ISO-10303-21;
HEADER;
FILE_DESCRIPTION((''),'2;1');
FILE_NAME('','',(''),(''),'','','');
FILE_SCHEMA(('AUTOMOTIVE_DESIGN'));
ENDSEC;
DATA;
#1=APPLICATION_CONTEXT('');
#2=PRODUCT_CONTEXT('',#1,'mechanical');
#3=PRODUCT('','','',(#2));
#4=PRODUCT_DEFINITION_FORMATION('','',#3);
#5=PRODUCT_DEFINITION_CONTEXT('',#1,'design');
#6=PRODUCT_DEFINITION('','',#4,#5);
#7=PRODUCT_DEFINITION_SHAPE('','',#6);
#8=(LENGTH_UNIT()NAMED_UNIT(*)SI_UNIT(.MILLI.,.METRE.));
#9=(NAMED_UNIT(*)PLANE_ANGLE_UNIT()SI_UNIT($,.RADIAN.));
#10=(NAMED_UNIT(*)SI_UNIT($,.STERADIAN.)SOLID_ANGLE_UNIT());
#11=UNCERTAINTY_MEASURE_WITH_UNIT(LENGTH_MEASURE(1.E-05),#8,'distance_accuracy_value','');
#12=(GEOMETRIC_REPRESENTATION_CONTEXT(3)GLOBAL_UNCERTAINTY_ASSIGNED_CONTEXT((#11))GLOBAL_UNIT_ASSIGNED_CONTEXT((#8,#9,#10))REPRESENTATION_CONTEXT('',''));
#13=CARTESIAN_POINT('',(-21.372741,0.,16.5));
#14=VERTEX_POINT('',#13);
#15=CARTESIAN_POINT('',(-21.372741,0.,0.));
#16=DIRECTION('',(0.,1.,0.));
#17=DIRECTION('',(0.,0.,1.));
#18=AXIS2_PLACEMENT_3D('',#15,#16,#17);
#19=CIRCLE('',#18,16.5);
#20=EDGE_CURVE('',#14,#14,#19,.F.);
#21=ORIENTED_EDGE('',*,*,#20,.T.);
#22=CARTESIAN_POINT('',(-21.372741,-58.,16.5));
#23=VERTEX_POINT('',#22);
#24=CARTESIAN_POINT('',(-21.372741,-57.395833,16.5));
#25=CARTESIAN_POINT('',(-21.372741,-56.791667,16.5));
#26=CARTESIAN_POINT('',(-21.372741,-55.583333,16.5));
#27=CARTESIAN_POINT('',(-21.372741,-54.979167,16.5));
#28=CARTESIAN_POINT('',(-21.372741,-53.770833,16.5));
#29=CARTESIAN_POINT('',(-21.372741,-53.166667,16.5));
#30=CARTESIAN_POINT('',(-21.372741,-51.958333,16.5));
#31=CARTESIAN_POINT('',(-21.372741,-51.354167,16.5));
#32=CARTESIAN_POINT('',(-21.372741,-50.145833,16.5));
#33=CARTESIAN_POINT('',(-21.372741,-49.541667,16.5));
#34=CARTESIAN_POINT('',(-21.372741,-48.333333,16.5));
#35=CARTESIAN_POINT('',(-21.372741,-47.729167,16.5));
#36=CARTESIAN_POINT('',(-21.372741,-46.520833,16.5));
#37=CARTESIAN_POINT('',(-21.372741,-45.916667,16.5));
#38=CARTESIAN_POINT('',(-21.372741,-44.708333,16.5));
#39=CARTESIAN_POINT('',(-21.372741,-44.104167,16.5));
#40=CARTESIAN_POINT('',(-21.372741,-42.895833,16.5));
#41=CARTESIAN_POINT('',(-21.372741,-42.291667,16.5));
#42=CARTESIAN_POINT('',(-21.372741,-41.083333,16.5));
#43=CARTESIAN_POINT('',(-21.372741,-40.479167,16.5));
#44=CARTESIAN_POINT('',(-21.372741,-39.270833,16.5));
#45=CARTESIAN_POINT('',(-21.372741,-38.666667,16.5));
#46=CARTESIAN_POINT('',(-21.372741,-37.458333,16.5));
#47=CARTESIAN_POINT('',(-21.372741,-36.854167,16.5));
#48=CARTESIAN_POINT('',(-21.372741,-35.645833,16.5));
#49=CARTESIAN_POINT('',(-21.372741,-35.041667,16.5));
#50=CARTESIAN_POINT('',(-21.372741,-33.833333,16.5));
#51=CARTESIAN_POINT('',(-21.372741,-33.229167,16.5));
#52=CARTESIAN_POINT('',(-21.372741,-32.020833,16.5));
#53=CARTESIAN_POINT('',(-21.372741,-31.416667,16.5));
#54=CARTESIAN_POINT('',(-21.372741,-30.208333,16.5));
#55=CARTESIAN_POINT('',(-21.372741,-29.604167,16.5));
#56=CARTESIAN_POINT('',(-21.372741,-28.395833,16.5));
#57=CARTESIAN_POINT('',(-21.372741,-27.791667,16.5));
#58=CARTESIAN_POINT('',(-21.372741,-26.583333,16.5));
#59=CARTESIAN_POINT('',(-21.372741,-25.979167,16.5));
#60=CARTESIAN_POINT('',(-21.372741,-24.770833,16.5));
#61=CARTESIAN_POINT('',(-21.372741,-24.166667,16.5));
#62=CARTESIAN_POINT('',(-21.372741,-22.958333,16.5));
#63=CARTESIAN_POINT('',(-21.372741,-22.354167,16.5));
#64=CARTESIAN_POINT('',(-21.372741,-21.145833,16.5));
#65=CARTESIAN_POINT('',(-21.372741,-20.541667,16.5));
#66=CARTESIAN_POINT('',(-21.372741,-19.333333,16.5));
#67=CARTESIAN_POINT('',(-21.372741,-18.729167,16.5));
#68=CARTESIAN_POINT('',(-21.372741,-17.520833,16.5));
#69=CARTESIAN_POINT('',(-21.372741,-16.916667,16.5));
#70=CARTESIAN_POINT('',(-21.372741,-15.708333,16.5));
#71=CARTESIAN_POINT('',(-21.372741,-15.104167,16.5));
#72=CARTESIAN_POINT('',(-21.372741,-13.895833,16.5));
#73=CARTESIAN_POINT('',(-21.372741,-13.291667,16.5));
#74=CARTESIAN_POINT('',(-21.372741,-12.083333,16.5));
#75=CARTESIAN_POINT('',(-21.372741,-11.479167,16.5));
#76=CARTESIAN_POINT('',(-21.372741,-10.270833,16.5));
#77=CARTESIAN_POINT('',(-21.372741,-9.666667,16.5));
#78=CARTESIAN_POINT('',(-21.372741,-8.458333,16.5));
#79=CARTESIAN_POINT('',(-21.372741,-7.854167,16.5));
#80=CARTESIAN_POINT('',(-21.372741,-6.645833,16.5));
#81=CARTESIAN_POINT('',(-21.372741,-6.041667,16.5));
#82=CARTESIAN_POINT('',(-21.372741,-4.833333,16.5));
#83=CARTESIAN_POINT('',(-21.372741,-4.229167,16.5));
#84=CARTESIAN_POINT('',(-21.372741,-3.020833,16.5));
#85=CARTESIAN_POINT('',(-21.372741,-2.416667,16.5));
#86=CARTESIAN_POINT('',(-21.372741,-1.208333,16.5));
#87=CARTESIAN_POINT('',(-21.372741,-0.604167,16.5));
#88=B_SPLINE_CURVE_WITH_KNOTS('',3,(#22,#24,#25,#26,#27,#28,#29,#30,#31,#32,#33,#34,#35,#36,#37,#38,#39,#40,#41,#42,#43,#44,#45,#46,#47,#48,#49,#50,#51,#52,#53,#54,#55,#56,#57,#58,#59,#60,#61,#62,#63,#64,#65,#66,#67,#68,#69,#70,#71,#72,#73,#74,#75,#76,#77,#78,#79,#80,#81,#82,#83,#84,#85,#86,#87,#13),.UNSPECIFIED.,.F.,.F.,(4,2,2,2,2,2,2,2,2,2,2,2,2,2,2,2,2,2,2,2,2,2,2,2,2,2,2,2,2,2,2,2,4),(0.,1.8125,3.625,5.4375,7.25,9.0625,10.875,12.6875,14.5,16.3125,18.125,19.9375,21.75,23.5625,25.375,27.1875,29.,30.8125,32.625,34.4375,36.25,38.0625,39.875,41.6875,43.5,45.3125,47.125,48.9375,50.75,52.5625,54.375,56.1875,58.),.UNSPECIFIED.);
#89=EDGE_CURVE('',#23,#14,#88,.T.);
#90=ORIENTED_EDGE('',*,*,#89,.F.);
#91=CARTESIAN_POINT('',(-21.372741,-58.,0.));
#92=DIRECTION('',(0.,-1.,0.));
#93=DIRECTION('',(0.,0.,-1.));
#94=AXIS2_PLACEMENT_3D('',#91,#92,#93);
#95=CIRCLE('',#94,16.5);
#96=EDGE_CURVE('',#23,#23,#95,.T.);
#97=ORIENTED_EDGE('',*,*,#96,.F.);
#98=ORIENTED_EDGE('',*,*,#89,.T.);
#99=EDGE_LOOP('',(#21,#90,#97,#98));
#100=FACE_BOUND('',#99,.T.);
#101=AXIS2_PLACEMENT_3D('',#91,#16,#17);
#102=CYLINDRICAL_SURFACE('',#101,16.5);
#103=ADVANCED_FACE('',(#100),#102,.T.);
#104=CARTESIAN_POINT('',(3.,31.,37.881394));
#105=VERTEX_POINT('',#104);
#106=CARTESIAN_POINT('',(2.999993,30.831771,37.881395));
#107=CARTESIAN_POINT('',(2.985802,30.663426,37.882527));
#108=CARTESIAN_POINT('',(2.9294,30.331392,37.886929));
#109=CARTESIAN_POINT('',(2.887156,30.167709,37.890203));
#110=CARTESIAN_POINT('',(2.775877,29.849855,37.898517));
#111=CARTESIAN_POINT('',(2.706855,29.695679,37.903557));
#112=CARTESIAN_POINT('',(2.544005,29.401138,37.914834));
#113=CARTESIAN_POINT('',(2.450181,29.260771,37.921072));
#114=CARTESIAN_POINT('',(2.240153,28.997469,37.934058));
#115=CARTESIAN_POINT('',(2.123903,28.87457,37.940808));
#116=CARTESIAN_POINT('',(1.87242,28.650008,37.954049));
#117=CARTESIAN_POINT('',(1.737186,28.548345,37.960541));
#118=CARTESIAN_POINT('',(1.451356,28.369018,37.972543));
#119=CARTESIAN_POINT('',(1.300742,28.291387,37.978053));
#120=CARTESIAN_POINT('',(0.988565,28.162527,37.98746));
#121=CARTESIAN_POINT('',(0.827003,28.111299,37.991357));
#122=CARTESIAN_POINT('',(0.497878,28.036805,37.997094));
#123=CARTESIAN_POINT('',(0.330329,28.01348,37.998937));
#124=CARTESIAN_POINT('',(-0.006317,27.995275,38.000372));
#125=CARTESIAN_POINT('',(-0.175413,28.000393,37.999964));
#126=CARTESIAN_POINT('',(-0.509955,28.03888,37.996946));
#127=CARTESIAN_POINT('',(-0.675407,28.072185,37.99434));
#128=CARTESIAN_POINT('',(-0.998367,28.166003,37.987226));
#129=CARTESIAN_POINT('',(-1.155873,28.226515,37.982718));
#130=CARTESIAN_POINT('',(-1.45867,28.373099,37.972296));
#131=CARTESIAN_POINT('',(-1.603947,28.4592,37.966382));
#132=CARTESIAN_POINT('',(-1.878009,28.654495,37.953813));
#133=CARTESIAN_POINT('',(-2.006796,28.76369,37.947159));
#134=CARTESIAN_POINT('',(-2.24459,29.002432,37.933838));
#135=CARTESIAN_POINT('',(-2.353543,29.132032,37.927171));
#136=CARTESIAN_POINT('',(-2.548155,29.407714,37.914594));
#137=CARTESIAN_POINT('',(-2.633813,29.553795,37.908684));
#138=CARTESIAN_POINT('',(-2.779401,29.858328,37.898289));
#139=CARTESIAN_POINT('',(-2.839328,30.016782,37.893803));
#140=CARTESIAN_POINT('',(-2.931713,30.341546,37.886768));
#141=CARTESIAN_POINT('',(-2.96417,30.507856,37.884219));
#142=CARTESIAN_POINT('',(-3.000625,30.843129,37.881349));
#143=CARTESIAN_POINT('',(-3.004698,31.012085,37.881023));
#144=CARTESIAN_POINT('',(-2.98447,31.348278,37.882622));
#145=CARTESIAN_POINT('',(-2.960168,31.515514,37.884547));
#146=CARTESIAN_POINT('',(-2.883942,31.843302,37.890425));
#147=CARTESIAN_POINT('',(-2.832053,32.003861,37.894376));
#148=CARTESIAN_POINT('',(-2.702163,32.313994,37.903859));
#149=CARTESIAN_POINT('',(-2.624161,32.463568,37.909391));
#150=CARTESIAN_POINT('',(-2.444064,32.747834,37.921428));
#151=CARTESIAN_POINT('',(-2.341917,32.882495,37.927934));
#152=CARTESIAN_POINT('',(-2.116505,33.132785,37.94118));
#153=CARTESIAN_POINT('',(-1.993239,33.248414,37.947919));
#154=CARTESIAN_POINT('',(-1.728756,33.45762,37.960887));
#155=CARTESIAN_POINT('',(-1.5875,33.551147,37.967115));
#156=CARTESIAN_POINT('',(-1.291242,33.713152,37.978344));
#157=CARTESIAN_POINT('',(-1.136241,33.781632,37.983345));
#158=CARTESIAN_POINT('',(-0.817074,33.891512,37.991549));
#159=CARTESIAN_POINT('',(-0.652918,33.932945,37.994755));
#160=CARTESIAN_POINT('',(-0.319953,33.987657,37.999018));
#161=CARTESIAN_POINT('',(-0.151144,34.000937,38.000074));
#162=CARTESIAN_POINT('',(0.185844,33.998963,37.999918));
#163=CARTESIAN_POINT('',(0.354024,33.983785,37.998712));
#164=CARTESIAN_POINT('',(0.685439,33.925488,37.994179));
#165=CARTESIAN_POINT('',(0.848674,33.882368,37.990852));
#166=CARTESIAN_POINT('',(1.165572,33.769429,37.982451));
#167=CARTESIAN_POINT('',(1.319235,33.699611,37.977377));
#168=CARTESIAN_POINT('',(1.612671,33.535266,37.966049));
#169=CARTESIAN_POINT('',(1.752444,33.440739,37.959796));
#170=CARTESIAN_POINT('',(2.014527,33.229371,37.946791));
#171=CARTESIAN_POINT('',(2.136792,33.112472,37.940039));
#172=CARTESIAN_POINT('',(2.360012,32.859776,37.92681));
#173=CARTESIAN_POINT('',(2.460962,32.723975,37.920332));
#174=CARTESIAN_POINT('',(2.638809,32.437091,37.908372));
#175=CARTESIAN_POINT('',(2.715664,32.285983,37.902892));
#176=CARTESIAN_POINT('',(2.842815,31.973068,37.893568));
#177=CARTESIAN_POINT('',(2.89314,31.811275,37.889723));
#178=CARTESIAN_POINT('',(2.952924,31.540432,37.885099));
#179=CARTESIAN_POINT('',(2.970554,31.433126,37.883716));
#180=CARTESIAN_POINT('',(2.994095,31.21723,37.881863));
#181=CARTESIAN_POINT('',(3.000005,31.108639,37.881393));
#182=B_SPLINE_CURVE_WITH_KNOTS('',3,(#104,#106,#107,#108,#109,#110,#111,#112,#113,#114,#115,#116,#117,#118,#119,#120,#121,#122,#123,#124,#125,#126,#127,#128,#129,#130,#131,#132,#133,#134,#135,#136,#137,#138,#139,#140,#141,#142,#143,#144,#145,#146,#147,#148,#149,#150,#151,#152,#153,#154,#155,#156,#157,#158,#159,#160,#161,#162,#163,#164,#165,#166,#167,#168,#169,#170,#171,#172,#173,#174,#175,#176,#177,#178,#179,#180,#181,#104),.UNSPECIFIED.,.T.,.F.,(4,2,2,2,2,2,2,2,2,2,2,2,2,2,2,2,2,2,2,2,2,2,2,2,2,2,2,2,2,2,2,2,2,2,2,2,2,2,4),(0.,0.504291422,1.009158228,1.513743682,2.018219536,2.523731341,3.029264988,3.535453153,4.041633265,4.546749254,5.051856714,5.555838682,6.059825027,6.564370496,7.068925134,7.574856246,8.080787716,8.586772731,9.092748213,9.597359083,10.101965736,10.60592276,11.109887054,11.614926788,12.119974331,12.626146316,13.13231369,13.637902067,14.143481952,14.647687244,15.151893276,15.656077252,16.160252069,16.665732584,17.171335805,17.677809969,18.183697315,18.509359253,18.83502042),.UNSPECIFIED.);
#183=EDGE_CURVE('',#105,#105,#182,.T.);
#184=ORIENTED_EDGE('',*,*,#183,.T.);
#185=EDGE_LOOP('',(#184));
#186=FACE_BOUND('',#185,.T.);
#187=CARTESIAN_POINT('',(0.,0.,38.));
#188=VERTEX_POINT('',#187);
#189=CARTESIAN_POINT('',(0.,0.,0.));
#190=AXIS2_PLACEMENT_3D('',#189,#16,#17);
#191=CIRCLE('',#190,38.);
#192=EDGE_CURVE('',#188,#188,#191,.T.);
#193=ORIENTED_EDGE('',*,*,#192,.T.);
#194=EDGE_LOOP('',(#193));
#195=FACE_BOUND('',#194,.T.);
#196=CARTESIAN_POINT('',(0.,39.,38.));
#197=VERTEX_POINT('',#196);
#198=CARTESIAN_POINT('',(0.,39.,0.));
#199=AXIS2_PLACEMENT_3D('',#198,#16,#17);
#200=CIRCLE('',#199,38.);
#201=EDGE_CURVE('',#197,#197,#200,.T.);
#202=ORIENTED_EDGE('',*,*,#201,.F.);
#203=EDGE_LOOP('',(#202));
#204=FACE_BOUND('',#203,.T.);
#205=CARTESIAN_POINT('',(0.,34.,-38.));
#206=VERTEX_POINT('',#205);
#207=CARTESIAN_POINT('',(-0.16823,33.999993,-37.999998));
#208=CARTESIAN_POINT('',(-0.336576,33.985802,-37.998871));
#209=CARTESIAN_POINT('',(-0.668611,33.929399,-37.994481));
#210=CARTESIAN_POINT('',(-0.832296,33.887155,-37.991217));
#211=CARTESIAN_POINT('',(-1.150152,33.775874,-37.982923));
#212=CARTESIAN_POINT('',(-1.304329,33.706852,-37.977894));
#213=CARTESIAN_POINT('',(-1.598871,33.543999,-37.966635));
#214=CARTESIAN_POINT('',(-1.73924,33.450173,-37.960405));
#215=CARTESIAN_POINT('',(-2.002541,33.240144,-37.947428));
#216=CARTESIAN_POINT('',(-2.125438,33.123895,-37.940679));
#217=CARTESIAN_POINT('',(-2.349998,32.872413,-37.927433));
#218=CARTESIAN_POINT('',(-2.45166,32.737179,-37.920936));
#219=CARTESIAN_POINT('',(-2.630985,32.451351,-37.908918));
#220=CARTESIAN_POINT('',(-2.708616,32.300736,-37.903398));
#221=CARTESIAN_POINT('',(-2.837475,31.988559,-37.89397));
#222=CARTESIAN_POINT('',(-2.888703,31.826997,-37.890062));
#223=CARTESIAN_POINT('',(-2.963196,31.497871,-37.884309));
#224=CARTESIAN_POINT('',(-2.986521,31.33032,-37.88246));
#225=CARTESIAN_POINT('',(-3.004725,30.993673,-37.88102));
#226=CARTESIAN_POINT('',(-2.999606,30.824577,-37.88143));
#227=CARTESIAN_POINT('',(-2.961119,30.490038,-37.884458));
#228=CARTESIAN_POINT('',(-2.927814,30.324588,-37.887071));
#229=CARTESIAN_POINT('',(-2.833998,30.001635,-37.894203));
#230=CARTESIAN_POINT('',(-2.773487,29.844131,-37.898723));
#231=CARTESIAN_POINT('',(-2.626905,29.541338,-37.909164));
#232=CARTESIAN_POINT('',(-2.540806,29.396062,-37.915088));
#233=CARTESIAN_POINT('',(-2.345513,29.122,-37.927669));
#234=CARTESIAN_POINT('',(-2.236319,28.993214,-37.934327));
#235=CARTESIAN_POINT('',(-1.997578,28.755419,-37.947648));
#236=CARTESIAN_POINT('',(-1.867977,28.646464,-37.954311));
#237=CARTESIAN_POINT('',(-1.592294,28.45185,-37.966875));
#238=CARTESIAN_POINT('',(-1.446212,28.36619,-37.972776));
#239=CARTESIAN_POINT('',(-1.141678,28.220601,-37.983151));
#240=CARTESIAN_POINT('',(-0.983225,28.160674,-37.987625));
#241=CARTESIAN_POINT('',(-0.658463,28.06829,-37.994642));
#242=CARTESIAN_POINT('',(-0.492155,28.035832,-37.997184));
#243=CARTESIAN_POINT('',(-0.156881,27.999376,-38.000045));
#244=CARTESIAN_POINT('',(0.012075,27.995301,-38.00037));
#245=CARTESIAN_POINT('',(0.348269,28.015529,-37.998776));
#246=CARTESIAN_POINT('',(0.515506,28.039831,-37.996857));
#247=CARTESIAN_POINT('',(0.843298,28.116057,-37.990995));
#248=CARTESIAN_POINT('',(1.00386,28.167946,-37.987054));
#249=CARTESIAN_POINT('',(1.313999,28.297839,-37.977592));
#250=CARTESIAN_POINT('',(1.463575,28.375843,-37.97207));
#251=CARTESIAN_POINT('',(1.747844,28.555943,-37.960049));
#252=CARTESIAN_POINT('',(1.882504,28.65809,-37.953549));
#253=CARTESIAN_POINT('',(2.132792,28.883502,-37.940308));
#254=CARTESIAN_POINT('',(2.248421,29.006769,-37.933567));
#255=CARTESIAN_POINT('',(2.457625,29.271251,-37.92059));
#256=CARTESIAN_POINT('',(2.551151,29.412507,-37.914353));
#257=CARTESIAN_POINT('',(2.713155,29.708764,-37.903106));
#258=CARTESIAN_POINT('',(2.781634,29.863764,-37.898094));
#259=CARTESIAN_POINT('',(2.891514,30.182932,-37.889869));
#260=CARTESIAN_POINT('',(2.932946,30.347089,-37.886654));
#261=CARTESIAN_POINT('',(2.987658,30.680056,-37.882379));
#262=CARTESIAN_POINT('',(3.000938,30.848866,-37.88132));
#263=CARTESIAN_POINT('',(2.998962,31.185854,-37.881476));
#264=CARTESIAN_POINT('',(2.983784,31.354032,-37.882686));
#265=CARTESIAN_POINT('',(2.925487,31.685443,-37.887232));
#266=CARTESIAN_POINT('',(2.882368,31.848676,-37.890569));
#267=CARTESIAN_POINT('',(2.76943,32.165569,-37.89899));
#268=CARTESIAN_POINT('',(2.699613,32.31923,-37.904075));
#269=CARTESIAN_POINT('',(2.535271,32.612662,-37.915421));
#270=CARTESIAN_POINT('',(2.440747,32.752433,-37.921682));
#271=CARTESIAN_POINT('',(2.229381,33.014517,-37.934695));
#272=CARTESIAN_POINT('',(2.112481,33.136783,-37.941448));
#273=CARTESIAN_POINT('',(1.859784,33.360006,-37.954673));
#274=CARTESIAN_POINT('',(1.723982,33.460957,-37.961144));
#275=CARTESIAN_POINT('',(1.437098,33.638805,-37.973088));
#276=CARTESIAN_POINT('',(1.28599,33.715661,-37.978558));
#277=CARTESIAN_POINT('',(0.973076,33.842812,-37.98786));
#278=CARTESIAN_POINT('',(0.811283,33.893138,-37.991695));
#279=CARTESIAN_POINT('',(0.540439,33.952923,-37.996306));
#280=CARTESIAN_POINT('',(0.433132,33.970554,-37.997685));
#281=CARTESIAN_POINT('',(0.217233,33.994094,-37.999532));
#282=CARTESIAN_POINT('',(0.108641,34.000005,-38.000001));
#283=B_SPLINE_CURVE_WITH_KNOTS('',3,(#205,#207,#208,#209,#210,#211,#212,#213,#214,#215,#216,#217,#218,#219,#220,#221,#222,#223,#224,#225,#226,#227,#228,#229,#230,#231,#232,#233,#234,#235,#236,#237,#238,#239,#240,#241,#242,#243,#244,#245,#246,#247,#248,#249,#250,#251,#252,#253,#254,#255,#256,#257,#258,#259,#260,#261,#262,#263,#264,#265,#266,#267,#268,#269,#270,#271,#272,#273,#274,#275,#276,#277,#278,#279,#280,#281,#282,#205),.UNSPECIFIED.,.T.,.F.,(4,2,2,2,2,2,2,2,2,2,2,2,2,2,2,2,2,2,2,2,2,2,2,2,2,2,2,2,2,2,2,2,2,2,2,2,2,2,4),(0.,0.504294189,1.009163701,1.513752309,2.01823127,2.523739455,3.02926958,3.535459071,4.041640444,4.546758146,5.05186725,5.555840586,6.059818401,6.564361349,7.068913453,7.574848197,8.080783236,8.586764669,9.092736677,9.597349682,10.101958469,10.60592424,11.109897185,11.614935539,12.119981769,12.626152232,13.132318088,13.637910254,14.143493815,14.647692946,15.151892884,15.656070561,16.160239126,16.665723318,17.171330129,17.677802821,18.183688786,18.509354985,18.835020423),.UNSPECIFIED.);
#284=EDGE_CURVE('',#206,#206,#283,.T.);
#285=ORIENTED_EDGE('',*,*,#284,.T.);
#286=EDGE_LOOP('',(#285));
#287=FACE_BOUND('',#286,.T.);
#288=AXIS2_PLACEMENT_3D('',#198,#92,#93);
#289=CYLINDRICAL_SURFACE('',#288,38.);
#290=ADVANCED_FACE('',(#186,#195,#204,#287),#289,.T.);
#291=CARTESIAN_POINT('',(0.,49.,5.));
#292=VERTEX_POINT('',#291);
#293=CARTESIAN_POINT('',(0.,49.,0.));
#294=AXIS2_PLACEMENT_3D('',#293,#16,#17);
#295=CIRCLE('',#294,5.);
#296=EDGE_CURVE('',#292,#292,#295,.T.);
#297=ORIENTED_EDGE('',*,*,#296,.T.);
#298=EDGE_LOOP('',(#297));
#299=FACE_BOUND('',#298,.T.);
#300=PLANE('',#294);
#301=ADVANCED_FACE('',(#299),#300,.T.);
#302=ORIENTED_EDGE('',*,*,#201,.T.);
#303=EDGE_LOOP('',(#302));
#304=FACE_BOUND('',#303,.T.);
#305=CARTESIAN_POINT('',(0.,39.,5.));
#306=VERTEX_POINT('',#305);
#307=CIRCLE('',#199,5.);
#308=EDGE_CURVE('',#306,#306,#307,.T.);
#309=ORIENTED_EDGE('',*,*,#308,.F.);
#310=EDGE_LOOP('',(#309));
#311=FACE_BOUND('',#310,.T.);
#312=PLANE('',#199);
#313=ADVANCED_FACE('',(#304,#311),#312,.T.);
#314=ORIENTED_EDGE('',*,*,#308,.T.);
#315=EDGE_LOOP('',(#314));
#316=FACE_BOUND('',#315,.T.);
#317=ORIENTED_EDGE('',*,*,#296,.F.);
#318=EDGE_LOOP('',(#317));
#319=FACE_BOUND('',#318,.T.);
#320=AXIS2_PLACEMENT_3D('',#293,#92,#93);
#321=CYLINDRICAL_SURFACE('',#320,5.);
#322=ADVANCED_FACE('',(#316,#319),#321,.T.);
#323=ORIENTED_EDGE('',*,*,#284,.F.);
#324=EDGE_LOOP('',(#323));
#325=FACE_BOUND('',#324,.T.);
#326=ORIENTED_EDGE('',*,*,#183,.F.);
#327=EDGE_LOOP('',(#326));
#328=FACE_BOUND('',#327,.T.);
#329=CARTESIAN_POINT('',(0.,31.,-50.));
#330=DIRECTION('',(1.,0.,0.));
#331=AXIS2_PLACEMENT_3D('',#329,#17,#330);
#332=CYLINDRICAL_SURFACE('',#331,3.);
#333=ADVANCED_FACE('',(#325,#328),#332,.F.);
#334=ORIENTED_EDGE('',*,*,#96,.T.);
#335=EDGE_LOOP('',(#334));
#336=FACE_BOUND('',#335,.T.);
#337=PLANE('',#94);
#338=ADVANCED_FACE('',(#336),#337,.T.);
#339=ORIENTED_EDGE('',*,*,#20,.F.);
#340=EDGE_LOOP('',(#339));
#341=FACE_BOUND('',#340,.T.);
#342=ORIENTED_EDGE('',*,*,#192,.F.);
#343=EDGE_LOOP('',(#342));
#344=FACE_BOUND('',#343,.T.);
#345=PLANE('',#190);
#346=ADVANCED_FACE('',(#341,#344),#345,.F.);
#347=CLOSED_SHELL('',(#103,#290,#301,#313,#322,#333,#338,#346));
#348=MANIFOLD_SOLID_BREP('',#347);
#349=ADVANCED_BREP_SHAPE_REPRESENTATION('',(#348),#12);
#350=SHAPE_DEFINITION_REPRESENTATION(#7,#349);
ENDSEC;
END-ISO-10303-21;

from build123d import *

# Parameters (mm, degrees)
SKETCH_1_R         = 38
EXTRUDE_1_DEPTH    = 39
SKETCH_2_R         = 5
EXTRUDE_2_DEPTH    = 10
SKETCH_6_R         = 16.5
EXTRUDE_6_DEPTH    = 58
SKETCH1_R          = 3
CUT_EXTRUDE1_DEPTH = 50


with BuildPart() as part:
    # Эскиз1 → Вытянуть1 (new body)
    with BuildSketch(Plane(origin=(0, 0, 0), x_dir=(1, 0, 0), z_dir=(0, 1, 0))):
        with Locations(Location((0, 0, 0), (0, 0, 270))):
            Circle(SKETCH_1_R)
    extrude(amount=EXTRUDE_1_DEPTH)

    # Эскиз2 → Вытянуть2 (add)
    with BuildSketch(Plane(origin=(0, 39, 0), x_dir=(1, 0, 0), z_dir=(0, 1, 0))):
        with Locations(Location((0, 0, 0), (0, 0, 270))):
            Circle(SKETCH_2_R)
    extrude(amount=EXTRUDE_2_DEPTH)

    # Эскиз6 → Вытянуть6 (add)
    with BuildSketch(Plane.XZ):
        with Locations(Location((-21.372740523, 0, 0), (0, 0, 90))):
            Circle(SKETCH_6_R)
    extrude(amount=EXTRUDE_6_DEPTH)

    # Sketch1 → Cut-Extrude1 (cut, symmetric)
    with BuildSketch(Plane.XY):
        with Locations((0, 31)):
            Circle(SKETCH1_R)
    extrude(amount=CUT_EXTRUDE1_DEPTH, both=True, mode=Mode.SUBTRACT)


solid = part.part
